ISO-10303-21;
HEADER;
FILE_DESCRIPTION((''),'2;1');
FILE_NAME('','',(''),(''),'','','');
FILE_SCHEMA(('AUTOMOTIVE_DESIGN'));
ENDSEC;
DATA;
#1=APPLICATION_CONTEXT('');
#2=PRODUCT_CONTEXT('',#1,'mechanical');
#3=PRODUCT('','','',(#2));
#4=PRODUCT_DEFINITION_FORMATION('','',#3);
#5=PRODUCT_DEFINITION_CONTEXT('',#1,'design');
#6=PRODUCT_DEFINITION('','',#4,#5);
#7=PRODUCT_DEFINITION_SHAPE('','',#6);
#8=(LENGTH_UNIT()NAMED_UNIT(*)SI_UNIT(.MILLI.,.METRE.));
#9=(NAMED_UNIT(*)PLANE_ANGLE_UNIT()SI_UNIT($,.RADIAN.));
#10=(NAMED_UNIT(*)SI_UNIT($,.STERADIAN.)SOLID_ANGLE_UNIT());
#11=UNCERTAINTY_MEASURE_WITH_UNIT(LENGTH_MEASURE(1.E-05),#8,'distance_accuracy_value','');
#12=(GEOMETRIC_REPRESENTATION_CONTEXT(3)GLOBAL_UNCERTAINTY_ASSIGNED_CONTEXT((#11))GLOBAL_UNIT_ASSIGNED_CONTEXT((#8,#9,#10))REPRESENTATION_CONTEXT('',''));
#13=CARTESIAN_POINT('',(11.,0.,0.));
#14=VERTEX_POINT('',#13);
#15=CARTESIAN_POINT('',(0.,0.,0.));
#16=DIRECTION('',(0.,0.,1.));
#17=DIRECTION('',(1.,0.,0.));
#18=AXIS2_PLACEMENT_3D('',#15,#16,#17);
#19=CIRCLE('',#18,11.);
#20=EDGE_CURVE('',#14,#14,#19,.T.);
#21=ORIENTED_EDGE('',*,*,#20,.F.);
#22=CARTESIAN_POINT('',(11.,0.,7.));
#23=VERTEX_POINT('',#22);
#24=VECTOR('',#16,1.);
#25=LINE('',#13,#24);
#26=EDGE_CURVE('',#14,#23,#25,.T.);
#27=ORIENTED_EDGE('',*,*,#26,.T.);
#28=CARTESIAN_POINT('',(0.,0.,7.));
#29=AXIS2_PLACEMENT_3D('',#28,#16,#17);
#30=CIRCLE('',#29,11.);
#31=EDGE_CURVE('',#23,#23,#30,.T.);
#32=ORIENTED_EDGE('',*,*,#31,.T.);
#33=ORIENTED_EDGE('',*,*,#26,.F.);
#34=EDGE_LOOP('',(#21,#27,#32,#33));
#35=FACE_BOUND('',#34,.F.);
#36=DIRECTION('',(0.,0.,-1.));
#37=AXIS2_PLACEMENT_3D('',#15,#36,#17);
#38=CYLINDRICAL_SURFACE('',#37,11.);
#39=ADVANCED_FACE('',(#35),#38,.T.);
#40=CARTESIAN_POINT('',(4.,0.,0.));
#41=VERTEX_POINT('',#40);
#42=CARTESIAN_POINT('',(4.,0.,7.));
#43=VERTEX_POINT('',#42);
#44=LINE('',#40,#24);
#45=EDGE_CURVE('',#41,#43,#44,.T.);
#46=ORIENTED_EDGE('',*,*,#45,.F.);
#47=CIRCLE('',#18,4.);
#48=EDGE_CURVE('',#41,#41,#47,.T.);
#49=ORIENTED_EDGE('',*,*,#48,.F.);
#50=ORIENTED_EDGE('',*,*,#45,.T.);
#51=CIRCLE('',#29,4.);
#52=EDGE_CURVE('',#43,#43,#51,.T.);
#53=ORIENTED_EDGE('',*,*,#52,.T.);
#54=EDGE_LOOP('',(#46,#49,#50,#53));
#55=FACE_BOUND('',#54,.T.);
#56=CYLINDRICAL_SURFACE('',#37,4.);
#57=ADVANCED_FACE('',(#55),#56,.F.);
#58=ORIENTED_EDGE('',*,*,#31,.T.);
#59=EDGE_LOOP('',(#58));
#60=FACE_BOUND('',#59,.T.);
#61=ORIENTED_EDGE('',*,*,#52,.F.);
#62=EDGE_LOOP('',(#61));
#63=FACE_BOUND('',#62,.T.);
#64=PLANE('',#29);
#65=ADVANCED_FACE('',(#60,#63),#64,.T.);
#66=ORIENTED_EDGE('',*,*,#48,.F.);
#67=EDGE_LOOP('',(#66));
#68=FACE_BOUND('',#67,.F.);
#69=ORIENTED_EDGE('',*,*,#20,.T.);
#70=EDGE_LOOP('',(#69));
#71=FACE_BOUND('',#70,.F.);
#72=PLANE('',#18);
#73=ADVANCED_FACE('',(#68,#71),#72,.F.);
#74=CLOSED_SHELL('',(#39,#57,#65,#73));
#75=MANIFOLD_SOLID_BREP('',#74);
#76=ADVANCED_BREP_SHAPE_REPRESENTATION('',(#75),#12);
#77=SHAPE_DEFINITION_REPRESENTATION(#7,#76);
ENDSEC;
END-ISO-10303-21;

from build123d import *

# Parameters (mm, degrees)
SKETCH_R   = 11
SKETCH_R_2 = 4
PAD_DEPTH  = 7


with BuildPart() as part:
    # Sketch → Pad (new body)
    with BuildSketch(Plane.XY):
        Circle(SKETCH_R)
        Circle(SKETCH_R_2, mode=Mode.SUBTRACT)
    extrude(amount=PAD_DEPTH)


solid = part.part
